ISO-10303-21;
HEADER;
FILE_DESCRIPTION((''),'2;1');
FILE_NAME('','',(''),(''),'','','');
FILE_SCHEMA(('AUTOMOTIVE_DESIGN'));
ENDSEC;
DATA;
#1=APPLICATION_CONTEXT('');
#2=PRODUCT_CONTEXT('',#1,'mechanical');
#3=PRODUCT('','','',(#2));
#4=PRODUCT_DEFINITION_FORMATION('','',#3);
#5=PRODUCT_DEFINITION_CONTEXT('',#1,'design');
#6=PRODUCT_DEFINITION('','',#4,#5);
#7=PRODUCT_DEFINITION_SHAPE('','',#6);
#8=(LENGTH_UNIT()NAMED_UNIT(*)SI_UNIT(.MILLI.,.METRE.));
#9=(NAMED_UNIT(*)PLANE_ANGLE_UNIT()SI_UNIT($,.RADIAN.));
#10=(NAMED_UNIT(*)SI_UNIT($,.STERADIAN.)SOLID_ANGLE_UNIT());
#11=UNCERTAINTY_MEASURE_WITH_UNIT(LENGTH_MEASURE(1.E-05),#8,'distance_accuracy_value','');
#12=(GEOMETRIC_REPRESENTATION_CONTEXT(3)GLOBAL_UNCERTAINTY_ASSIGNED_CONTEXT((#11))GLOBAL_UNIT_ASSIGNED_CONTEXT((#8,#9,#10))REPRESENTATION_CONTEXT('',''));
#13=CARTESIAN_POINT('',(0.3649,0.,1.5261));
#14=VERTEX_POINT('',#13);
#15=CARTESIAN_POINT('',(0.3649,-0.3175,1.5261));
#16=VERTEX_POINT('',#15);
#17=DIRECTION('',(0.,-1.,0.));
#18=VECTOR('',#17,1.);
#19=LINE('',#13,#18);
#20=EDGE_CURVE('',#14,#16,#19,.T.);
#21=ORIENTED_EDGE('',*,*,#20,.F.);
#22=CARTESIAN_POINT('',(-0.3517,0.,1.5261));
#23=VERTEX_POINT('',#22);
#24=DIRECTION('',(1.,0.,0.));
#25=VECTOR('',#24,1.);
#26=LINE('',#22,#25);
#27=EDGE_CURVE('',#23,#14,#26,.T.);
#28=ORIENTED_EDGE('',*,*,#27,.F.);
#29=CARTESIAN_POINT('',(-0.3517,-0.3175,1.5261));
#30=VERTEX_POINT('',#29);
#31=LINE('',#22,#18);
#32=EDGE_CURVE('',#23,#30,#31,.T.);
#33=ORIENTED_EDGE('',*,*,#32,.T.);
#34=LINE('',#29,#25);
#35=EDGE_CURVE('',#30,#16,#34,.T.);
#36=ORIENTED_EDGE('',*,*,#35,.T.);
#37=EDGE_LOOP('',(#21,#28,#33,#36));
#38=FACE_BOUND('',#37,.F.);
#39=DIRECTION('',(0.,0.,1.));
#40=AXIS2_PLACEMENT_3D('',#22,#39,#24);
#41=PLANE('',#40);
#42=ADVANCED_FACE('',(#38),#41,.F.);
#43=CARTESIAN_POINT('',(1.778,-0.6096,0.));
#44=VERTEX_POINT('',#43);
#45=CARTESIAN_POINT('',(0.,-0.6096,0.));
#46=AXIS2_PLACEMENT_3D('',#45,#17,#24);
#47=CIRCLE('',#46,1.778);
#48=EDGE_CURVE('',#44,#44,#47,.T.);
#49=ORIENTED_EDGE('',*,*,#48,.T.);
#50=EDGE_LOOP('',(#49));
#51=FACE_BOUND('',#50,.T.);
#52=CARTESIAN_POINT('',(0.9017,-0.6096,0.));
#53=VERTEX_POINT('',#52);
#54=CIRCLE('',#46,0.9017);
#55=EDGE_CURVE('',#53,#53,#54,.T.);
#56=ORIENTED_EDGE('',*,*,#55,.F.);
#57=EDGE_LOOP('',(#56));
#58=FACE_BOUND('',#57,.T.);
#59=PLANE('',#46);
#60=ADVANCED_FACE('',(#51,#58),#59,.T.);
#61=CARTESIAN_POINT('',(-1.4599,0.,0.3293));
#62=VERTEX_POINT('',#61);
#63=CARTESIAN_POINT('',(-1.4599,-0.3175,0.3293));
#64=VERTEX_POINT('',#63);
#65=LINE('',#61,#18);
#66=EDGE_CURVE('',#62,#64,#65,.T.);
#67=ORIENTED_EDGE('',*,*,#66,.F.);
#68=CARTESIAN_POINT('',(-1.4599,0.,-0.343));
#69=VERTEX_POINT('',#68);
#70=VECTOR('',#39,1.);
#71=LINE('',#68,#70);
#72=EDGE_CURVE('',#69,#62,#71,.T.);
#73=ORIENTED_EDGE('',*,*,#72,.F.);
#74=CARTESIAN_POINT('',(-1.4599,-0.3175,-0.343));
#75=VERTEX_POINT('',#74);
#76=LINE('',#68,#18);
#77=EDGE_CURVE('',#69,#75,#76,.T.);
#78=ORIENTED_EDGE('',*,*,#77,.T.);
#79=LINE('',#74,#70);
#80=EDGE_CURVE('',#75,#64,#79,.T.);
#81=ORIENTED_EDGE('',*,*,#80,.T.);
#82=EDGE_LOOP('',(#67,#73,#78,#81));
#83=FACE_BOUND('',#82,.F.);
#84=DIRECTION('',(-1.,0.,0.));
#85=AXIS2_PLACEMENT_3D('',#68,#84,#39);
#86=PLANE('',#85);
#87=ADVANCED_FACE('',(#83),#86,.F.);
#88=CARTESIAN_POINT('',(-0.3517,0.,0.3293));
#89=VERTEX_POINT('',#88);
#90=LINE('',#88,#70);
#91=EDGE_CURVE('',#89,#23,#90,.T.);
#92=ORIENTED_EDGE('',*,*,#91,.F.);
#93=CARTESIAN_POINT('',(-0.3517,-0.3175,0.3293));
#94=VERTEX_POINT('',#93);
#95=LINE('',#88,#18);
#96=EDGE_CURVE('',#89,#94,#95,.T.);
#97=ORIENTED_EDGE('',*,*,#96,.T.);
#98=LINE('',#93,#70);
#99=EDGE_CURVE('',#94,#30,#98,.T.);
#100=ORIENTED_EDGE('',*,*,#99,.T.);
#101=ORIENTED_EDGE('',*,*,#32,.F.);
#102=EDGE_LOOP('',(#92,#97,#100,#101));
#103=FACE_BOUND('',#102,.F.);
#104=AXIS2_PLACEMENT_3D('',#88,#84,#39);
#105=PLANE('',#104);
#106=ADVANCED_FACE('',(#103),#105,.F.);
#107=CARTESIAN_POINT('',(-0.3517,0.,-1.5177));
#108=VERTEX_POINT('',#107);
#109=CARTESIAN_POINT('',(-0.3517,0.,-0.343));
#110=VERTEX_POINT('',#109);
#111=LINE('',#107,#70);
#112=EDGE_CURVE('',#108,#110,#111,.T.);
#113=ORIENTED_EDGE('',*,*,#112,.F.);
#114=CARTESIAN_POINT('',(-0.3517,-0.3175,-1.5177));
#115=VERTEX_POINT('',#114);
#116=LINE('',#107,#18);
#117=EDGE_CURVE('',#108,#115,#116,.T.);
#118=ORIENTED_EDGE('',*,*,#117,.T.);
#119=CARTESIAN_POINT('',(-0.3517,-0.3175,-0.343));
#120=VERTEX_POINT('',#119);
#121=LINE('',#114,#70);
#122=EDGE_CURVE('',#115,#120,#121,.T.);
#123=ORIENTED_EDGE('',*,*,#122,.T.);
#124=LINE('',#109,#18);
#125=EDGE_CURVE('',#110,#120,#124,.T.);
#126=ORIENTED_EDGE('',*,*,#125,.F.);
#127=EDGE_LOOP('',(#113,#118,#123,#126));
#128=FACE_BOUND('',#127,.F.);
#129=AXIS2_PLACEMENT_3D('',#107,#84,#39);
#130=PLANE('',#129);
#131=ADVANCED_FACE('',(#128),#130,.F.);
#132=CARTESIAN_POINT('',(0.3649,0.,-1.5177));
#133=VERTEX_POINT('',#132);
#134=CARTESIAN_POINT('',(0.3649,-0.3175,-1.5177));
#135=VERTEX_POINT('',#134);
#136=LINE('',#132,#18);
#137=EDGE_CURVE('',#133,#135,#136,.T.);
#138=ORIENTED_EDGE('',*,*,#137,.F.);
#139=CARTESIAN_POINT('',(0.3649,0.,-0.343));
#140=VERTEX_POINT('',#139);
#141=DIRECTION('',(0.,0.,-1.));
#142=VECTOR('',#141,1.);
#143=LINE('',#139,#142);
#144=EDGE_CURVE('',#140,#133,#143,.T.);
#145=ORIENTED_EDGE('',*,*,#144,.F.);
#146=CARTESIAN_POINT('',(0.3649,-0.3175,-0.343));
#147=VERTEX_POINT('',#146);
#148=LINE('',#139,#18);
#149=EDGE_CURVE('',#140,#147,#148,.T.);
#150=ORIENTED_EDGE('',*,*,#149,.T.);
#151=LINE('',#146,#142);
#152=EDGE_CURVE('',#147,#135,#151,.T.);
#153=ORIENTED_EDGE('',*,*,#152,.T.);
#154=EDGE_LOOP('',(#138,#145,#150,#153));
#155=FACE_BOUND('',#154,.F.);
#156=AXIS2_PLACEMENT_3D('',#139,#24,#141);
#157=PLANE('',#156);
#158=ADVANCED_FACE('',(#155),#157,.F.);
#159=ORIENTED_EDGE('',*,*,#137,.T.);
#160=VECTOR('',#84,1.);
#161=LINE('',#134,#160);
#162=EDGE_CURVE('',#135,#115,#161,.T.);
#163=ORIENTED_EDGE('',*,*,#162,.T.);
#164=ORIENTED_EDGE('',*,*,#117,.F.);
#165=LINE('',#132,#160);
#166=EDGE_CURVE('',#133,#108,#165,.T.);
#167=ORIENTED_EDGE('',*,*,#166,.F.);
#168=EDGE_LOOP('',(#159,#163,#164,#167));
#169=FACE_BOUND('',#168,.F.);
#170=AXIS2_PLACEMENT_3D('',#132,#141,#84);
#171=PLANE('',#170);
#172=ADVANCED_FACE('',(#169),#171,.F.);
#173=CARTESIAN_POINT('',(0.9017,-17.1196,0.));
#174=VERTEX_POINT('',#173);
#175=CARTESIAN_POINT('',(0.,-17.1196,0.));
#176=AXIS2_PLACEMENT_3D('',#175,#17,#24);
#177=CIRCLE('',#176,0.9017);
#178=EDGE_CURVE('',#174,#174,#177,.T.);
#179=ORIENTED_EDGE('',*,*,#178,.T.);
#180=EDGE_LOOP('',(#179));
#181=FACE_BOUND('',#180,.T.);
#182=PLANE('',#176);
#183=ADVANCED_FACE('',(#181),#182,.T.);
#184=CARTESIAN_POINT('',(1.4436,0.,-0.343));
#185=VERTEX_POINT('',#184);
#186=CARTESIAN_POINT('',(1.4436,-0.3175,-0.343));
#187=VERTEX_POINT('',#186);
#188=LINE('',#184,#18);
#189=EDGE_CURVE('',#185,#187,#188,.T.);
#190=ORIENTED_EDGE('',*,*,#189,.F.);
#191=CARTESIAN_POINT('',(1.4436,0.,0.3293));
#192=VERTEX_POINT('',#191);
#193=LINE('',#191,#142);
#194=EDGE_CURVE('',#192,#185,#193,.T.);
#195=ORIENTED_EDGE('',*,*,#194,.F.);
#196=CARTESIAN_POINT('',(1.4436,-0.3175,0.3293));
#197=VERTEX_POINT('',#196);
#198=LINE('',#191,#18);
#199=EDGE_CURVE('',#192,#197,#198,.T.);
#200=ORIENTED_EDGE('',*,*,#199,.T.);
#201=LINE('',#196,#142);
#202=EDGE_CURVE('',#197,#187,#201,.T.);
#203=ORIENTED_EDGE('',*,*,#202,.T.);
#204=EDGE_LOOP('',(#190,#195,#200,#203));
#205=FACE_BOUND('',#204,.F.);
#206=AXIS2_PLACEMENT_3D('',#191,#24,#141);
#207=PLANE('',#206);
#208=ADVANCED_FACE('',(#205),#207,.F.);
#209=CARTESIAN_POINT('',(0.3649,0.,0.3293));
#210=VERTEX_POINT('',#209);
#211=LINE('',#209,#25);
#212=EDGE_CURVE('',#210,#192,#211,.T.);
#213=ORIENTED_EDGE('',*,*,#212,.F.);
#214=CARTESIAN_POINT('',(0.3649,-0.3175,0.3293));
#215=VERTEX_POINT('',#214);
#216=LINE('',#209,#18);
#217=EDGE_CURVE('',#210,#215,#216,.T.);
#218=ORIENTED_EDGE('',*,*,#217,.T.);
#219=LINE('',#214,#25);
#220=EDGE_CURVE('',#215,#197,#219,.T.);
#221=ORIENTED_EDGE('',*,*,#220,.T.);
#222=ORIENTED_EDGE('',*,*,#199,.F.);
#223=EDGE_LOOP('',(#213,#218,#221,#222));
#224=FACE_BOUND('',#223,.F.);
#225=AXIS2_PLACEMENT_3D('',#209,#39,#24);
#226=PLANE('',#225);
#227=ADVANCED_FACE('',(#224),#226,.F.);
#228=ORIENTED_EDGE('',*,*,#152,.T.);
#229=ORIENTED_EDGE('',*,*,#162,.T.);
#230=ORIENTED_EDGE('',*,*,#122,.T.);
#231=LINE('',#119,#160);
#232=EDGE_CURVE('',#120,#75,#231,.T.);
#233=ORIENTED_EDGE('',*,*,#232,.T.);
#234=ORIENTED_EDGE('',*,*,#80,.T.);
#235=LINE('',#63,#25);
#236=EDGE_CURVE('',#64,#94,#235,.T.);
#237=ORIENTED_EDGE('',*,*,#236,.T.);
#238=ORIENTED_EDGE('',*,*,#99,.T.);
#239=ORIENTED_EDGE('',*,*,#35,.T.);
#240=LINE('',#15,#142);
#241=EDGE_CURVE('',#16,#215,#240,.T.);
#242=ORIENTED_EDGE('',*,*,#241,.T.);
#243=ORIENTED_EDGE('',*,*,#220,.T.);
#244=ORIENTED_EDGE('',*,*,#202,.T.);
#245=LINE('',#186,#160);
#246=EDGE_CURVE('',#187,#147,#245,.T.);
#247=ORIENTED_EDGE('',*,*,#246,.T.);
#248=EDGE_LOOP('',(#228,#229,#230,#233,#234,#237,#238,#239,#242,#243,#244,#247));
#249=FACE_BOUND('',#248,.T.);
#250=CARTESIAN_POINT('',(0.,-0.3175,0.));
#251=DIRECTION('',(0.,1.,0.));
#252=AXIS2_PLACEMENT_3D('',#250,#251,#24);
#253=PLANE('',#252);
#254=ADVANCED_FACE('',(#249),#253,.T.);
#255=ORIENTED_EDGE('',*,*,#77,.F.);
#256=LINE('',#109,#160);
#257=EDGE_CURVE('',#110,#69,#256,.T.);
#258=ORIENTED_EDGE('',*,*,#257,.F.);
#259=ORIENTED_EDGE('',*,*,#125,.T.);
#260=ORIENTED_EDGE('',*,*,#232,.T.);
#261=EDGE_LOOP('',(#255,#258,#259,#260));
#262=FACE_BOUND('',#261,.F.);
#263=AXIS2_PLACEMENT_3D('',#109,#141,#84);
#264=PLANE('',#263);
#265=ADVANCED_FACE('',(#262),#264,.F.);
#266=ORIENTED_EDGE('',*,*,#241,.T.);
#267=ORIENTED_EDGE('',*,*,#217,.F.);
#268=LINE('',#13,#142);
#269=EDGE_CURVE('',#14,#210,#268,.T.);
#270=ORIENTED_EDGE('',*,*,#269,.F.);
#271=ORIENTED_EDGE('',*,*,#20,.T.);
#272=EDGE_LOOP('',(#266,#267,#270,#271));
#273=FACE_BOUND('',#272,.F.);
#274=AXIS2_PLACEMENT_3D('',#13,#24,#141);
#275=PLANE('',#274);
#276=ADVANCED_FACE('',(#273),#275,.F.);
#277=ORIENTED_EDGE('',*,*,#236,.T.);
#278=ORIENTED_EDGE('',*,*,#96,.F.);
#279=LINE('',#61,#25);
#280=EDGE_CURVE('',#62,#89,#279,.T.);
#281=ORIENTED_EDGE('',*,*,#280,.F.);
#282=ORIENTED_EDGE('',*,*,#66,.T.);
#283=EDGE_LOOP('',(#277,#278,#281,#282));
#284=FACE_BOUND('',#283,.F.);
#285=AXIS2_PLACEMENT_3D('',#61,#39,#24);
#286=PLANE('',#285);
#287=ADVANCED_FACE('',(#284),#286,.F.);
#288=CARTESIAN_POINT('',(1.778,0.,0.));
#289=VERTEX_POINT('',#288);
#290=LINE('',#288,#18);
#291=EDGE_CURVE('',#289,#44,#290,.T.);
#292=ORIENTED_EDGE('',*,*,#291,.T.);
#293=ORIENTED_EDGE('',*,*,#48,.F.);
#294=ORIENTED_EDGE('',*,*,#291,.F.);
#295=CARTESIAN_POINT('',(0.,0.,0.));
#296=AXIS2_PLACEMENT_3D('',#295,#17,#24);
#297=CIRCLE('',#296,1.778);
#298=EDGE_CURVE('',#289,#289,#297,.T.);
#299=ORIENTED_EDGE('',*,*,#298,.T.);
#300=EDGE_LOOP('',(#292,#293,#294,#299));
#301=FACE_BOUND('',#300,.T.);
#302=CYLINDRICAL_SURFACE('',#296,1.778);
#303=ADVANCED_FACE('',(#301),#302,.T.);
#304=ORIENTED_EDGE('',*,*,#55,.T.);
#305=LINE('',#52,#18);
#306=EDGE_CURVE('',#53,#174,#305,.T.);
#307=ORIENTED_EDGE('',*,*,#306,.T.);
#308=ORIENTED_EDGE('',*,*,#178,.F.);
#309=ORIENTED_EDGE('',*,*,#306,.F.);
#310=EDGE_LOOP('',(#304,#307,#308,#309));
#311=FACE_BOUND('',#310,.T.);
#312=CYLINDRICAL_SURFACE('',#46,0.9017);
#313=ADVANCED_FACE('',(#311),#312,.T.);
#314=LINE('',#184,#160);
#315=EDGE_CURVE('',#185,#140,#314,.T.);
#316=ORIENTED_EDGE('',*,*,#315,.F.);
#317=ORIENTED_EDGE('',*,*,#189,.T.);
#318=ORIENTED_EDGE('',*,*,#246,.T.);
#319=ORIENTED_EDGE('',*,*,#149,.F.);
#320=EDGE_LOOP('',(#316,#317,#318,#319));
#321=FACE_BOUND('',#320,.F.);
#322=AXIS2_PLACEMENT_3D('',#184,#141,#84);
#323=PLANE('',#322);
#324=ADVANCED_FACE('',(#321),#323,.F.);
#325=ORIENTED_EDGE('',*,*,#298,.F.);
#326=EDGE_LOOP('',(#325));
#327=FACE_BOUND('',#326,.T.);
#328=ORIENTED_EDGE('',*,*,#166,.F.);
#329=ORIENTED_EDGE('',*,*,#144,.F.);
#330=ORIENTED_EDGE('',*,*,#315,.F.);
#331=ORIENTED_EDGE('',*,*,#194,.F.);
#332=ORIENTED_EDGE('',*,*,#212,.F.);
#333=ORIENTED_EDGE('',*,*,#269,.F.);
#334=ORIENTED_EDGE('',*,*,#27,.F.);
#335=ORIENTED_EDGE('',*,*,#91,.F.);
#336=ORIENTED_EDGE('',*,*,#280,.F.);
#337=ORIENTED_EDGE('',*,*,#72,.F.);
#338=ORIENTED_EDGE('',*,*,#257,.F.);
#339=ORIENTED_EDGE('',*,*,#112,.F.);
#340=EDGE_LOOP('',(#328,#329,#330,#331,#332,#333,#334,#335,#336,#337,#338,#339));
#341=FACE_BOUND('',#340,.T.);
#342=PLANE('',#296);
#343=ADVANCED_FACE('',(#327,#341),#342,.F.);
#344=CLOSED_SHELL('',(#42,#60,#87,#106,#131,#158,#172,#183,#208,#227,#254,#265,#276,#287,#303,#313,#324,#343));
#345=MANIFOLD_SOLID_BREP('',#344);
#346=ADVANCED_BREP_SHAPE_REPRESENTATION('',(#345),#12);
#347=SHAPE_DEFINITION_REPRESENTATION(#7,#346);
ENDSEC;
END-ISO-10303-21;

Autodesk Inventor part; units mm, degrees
ref_plane "YZ Plane" through (0, 0, 0) normal (1, 0, 0) x (0, 1, 0)
ref_plane "XZ Plane" through (0, 0, 0) normal (0, 1, 0) x (-1, 0, 0)
ref_plane "XY Plane" through (0, 0, 0) normal (0, 0, 1) x (1, 0, 0)
sketch "Sketch1" plane through (0, 0, 0) normal (0, 0, 1) x (1, 0, 0)
  line L0 (0, 0) -> (1.778, 0)
  line L1 (1.778, 0) -> (1.778, -0.6096)
  line L2 (1.778, -0.6096) -> (0.9017, -0.6096)
  line L3 (0.9017, -0.6096) -> (0.9017, -17.1196)
  line L4 (0.9017, -17.1196) -> (0, -17.1196)
  line L5 (0, -17.1196) -> (0, 0)
  line L6 (0, 0) -> (0, -18.8505)
  dimension "d0" = 1.778
  dimension "d1" = 0.6096
  dimension "d2" = 0.8763
  dimension "d3" = 16.51
  dimension "d5" = 90
  dimension "d6" = 90
revolve "Revolution1" add sketch "Sketch1" angle 360 about axis through (0, 0, 0) along (0, -1, 0)
thread "Thread1" size "1-64 UNC" class "2A" standard "ANSI Unified Screw Threads" full length
sketch "Sketch2" plane through (0, 0, 0) normal (0, 1, 0) x (1, 0, 0)
  line L0 (-1.4599, 0.343) -> (-1.4599, -0.3293)
  line L1 (1.4436, -0.3293) -> (1.4436, 0.343)
  line L2 (-0.3517, -1.5261) -> (0.3649, -1.5261)
  line L3 (0.3649, 1.5177) -> (-0.3517, 1.5177)
  line L4 (0.3649, -1.5261) -> (0.3649, -0.3293)
  line L5 (0.3649, 0.343) -> (0.3649, 1.5177)
  line L6 (1.4436, 0.343) -> (0.3649, 0.343)
  line L7 (-0.3517, 0.343) -> (-1.4599, 0.343)
  line L8 (-1.4599, -0.3293) -> (-0.3517, -0.3293)
  line L9 (0.3649, -0.3293) -> (1.4436, -0.3293)
  line L10 (-0.3517, 1.5177) -> (-0.3517, 0.343)
  line L11 (-0.3517, -0.3293) -> (-0.3517, -1.5261)
  point P0 (0, 0)
extrude "Extrusion1" cut sketch "Sketch2" against normal blind 0.3175
properties part number "srew long" material "Aluminum 6061"
